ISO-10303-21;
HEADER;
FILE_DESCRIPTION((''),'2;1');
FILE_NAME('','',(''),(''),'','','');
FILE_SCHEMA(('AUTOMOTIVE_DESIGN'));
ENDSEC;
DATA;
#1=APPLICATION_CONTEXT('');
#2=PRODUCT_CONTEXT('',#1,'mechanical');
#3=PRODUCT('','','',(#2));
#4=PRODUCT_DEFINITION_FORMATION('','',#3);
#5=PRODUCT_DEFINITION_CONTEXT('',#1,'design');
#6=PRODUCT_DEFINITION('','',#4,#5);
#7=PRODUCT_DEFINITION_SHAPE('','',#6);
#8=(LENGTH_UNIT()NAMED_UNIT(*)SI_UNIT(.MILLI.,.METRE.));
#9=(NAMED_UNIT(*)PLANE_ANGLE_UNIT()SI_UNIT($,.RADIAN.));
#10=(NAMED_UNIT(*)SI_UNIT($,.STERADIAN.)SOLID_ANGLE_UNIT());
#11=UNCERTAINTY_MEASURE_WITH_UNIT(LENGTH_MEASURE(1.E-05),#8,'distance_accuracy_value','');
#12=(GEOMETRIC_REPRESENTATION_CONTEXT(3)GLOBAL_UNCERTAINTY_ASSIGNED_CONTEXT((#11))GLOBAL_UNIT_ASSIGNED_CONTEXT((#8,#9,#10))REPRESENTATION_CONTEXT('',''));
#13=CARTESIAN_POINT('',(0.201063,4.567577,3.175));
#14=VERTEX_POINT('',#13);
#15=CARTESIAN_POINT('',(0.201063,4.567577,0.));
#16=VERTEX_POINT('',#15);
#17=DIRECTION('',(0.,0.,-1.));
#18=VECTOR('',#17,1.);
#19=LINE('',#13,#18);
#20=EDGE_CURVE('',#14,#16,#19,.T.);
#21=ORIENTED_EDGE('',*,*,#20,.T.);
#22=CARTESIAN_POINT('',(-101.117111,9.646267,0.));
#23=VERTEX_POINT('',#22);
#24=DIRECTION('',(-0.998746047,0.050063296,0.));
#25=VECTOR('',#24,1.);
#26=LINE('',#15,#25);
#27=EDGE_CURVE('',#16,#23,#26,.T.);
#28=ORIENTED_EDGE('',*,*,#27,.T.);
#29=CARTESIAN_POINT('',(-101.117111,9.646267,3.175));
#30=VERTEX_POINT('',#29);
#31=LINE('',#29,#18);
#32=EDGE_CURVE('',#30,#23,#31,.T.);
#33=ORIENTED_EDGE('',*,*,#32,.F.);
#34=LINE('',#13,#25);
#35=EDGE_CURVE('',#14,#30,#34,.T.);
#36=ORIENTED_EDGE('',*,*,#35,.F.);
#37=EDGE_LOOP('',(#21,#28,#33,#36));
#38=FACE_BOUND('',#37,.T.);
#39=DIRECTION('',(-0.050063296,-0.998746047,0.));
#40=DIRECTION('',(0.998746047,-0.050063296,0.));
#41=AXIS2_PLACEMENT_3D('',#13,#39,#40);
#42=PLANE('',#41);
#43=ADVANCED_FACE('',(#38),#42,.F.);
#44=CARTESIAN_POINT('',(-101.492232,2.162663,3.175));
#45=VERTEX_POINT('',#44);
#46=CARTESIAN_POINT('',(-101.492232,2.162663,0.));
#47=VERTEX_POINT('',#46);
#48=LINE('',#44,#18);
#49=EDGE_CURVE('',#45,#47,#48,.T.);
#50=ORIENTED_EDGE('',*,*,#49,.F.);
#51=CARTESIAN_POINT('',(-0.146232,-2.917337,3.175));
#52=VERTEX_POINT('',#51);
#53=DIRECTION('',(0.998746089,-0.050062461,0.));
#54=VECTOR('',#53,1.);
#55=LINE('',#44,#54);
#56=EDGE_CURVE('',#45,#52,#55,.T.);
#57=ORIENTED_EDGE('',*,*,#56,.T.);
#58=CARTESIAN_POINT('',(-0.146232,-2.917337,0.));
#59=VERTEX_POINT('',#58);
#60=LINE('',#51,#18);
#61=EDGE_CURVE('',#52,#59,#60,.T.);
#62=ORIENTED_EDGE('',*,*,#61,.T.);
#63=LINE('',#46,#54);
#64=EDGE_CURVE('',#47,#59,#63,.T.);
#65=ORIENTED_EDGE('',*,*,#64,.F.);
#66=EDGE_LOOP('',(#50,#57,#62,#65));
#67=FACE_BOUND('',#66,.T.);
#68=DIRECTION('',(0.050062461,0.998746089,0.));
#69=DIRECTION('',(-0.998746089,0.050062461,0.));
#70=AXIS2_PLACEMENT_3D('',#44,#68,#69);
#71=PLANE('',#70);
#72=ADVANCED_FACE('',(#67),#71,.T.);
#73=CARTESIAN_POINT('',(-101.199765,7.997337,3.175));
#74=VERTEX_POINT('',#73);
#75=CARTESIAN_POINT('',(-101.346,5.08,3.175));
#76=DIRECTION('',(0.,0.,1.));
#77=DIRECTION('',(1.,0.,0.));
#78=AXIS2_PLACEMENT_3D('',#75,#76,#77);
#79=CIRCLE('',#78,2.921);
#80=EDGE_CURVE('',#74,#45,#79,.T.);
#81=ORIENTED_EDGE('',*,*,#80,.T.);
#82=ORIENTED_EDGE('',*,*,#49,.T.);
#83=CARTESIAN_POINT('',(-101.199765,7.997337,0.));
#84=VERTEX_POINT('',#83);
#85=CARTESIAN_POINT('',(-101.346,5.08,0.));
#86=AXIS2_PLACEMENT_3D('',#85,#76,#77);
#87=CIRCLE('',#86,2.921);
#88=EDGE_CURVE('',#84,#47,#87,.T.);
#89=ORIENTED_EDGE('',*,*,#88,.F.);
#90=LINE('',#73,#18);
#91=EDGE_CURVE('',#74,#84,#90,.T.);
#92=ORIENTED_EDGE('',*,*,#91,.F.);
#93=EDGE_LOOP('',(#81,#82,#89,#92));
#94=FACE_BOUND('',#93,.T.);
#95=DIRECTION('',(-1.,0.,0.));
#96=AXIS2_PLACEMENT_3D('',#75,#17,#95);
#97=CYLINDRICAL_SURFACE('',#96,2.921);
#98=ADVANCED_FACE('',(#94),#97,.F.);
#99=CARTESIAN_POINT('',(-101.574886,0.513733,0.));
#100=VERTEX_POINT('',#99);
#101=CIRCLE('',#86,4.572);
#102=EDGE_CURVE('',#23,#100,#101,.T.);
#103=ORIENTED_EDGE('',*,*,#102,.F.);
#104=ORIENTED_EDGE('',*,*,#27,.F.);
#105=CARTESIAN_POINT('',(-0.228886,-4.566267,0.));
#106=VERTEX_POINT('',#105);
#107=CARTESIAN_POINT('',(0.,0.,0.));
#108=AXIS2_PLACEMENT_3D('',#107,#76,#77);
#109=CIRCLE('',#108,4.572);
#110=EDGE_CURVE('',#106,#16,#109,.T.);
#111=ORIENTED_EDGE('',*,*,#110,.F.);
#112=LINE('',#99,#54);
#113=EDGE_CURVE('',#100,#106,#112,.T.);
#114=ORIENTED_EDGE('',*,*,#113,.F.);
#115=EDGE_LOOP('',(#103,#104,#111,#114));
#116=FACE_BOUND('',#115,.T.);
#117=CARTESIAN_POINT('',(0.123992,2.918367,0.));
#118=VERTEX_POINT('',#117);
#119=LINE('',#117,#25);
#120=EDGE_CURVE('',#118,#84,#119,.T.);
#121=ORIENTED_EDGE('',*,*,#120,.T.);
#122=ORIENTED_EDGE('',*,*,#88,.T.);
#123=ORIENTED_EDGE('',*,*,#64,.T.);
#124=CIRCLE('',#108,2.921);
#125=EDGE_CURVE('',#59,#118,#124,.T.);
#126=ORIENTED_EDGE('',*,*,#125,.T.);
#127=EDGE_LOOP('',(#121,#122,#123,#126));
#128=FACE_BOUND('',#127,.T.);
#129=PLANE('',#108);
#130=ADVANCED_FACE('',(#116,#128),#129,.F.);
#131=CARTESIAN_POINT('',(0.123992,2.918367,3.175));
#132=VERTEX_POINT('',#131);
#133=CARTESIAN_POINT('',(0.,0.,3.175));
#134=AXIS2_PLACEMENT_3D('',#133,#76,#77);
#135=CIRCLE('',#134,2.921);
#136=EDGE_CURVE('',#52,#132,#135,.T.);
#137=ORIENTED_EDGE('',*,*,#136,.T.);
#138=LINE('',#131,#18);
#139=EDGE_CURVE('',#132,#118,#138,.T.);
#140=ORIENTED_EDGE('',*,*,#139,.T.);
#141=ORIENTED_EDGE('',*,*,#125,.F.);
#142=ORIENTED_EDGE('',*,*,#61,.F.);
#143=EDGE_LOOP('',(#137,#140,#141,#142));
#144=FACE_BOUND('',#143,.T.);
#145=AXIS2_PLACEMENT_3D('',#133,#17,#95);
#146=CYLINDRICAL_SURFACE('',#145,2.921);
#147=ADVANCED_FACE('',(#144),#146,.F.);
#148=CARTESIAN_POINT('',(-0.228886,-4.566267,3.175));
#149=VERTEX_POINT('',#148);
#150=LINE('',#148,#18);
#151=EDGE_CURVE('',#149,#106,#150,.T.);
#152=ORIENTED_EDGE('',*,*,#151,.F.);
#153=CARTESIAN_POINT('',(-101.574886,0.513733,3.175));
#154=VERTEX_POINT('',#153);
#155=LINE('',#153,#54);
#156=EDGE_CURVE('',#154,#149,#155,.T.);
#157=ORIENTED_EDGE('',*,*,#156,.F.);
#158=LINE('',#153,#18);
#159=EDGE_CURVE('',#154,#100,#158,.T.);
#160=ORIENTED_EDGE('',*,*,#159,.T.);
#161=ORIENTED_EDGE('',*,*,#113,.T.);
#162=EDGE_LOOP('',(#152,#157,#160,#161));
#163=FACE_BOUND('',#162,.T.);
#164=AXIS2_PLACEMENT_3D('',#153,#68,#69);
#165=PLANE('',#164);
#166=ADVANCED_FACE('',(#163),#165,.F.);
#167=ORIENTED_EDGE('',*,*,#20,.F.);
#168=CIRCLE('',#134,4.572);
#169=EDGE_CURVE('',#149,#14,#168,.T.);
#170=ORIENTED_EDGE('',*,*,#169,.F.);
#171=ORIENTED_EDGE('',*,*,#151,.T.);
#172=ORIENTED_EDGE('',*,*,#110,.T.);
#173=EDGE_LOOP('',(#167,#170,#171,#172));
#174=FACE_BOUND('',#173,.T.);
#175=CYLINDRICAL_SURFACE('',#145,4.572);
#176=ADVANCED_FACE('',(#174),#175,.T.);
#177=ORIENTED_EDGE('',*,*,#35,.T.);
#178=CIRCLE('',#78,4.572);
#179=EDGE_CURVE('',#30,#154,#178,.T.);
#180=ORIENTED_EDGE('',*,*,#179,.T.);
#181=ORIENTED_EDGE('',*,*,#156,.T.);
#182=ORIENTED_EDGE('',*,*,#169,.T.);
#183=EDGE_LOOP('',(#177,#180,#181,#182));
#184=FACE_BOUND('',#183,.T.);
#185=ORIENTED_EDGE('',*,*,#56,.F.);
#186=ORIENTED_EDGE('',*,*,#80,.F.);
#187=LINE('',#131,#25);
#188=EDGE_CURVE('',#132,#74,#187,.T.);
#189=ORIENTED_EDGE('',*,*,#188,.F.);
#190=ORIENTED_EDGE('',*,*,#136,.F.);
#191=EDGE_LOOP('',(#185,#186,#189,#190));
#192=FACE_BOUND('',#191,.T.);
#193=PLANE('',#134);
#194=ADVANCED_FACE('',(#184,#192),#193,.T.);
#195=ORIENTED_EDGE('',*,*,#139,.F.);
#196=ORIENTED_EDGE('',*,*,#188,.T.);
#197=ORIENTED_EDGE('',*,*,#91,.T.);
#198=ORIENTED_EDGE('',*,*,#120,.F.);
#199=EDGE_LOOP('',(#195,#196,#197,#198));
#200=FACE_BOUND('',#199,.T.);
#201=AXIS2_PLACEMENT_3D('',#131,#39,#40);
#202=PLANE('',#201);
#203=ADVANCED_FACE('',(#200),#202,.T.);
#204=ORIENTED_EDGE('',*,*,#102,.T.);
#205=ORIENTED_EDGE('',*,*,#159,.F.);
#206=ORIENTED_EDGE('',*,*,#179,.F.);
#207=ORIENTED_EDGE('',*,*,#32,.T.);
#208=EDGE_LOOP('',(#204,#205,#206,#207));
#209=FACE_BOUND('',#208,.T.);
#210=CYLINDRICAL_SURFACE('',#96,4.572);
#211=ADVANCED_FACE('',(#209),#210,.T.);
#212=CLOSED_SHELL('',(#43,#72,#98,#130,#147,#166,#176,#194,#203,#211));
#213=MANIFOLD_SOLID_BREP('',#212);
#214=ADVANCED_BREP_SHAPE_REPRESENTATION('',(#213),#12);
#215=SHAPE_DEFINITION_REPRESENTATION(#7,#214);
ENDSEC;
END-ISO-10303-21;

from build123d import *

# Parameters (mm, degrees)
BOSS_EXTRUDE1_DEPTH = 3.175


with BuildPart() as part:
    # Sketch1 → Boss-Extrude1 (new body)
    with BuildSketch(Plane.XY):
        with BuildLine():
            Line((0.201062713, 4.567576796), (-101.117110611, 9.646266927))
            ThreePointArc((-101.117110611, 9.646266927), (-105.912267023, 5.308887479), (-101.57488557, 0.513732882))
            Line((-101.57488557, 0.513732882), (-0.22888557, -4.566267118))
            ThreePointArc((-0.22888557, -4.566267118), (4.566943145, -0.214975139), (0.201062713, 4.567576796))
        make_face()
        with BuildLine():
            Line((-101.492232447, 2.162662674), (-0.146232447, -2.917337326))
            ThreePointArc((-0.146232447, -2.917337326), (2.91787344, -0.135113247), (0.123992085, 2.918367174))
            Line((0.123992085, 2.918367174), (-101.199765113, 7.997337203))
            ThreePointArc((-101.199765113, 7.997337203), (-104.263337264, 5.226233667), (-101.492232447, 2.162662674))
        make_face(mode=Mode.SUBTRACT)
    extrude(amount=BOSS_EXTRUDE1_DEPTH)


solid = part.part
